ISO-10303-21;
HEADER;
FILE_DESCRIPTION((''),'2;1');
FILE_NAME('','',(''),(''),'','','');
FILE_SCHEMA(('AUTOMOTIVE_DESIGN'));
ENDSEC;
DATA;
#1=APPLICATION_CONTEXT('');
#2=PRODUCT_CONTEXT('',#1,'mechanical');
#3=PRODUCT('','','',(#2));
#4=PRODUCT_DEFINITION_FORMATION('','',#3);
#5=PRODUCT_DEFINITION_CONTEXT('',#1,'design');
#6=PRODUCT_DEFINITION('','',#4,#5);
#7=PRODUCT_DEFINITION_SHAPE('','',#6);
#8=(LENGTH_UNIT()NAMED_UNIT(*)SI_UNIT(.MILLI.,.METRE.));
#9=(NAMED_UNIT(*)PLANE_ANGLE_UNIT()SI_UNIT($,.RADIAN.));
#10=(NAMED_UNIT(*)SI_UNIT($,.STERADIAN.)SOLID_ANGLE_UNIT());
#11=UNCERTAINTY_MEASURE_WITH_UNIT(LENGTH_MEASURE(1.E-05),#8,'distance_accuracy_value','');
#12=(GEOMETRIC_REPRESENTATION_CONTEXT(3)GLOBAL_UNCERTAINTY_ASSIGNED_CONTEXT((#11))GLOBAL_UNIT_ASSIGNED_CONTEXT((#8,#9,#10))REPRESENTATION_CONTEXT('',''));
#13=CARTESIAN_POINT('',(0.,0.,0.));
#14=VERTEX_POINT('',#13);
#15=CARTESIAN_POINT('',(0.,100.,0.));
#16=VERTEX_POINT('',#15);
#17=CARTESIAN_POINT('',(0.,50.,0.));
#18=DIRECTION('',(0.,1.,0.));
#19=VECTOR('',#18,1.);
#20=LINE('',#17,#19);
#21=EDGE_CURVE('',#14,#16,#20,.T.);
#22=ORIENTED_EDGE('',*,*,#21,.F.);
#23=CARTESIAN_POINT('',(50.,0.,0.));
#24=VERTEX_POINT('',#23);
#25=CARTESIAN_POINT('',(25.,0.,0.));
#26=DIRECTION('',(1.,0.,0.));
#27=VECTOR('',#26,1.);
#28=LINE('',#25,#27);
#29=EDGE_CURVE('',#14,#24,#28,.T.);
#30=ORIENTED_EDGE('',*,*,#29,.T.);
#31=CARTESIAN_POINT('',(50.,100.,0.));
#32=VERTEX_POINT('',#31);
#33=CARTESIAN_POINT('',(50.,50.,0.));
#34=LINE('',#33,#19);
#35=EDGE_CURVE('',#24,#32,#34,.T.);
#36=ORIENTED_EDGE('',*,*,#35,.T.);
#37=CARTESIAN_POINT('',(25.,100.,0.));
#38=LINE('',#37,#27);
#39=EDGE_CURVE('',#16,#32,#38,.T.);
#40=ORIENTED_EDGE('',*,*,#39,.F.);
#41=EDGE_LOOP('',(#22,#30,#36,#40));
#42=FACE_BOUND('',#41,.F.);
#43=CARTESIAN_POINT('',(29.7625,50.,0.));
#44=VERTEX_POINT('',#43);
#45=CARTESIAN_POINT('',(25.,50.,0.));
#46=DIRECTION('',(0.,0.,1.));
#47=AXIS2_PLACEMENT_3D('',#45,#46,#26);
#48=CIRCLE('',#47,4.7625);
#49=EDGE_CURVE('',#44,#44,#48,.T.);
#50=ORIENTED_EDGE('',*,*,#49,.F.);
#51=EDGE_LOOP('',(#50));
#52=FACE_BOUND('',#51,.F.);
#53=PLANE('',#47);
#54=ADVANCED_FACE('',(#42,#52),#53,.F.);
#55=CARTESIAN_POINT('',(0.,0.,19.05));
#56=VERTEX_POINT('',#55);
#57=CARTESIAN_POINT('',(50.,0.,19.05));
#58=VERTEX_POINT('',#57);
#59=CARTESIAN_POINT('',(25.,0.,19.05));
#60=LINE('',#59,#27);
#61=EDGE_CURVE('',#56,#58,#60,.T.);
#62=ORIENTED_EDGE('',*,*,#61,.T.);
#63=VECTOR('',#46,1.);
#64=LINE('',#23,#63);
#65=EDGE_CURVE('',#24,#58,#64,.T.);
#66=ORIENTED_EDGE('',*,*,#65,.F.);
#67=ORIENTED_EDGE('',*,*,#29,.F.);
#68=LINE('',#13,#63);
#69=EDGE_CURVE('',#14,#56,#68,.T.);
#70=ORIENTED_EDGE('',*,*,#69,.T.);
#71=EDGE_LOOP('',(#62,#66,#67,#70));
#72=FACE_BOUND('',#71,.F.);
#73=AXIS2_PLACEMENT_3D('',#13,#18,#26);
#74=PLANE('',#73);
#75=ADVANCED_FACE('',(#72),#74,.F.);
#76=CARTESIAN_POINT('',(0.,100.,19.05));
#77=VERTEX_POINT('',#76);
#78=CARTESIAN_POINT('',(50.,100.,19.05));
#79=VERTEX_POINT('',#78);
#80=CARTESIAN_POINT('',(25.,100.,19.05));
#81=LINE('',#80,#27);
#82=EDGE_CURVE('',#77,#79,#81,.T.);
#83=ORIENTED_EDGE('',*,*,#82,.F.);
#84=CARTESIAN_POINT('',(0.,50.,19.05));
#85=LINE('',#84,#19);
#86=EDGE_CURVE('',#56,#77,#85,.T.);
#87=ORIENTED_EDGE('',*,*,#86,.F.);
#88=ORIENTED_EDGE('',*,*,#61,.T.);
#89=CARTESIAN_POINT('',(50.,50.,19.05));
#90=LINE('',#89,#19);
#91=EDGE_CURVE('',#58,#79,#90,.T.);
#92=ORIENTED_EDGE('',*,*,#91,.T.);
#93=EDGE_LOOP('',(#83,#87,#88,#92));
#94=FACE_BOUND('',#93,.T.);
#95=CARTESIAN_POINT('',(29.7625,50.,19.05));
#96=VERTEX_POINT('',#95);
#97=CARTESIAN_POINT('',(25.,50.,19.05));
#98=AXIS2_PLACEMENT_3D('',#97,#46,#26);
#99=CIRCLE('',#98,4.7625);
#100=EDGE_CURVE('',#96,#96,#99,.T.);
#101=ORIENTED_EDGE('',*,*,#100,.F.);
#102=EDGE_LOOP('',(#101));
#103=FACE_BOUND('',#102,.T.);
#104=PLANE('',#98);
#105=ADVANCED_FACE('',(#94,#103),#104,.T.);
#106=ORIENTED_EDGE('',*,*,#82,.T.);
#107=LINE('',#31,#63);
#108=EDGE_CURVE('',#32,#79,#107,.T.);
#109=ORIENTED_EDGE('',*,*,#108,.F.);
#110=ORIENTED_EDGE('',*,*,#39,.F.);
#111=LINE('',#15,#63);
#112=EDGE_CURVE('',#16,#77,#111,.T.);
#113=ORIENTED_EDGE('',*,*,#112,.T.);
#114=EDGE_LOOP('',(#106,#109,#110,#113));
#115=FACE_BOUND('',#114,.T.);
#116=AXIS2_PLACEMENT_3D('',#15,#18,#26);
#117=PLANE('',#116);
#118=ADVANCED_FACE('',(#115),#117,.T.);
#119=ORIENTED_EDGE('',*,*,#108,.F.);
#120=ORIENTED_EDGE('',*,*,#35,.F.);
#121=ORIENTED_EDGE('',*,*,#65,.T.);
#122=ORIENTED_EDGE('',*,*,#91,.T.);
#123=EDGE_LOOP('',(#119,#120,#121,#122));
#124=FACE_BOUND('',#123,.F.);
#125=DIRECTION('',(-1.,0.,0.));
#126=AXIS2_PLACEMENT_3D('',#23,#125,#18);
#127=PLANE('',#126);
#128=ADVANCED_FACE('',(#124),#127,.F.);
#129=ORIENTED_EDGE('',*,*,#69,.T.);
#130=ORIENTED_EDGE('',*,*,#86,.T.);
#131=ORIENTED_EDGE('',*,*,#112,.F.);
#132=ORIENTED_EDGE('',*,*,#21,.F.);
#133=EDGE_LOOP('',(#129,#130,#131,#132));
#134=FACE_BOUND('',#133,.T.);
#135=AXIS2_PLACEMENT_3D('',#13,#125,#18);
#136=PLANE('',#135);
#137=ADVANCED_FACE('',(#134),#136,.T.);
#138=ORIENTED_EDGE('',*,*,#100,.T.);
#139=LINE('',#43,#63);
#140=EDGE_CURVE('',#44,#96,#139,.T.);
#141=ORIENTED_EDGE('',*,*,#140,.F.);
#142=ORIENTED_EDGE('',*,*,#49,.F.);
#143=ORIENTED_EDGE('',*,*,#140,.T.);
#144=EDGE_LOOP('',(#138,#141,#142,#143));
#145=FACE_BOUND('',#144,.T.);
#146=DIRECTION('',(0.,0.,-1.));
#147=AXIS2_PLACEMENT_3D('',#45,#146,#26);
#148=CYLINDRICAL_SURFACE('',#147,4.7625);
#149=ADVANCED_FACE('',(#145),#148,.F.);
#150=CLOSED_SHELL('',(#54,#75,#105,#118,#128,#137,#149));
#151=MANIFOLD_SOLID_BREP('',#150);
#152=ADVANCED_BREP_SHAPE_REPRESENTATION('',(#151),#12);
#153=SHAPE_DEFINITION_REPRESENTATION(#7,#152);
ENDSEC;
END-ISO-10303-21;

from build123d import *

# Parameters (mm, degrees)
SKETCH_W  = 50
SKETCH_H  = 100
SKETCH_R  = 4.7625
PAD_DEPTH = 19.05


with BuildPart() as part:
    # Sketch → Pad (new body)
    with BuildSketch(Plane.XY):
        with Locations((25, 50)):
            Rectangle(SKETCH_W, SKETCH_H)
        with Locations((25, 50)):
            Circle(SKETCH_R, mode=Mode.SUBTRACT)
    extrude(amount=PAD_DEPTH)


solid = part.part
